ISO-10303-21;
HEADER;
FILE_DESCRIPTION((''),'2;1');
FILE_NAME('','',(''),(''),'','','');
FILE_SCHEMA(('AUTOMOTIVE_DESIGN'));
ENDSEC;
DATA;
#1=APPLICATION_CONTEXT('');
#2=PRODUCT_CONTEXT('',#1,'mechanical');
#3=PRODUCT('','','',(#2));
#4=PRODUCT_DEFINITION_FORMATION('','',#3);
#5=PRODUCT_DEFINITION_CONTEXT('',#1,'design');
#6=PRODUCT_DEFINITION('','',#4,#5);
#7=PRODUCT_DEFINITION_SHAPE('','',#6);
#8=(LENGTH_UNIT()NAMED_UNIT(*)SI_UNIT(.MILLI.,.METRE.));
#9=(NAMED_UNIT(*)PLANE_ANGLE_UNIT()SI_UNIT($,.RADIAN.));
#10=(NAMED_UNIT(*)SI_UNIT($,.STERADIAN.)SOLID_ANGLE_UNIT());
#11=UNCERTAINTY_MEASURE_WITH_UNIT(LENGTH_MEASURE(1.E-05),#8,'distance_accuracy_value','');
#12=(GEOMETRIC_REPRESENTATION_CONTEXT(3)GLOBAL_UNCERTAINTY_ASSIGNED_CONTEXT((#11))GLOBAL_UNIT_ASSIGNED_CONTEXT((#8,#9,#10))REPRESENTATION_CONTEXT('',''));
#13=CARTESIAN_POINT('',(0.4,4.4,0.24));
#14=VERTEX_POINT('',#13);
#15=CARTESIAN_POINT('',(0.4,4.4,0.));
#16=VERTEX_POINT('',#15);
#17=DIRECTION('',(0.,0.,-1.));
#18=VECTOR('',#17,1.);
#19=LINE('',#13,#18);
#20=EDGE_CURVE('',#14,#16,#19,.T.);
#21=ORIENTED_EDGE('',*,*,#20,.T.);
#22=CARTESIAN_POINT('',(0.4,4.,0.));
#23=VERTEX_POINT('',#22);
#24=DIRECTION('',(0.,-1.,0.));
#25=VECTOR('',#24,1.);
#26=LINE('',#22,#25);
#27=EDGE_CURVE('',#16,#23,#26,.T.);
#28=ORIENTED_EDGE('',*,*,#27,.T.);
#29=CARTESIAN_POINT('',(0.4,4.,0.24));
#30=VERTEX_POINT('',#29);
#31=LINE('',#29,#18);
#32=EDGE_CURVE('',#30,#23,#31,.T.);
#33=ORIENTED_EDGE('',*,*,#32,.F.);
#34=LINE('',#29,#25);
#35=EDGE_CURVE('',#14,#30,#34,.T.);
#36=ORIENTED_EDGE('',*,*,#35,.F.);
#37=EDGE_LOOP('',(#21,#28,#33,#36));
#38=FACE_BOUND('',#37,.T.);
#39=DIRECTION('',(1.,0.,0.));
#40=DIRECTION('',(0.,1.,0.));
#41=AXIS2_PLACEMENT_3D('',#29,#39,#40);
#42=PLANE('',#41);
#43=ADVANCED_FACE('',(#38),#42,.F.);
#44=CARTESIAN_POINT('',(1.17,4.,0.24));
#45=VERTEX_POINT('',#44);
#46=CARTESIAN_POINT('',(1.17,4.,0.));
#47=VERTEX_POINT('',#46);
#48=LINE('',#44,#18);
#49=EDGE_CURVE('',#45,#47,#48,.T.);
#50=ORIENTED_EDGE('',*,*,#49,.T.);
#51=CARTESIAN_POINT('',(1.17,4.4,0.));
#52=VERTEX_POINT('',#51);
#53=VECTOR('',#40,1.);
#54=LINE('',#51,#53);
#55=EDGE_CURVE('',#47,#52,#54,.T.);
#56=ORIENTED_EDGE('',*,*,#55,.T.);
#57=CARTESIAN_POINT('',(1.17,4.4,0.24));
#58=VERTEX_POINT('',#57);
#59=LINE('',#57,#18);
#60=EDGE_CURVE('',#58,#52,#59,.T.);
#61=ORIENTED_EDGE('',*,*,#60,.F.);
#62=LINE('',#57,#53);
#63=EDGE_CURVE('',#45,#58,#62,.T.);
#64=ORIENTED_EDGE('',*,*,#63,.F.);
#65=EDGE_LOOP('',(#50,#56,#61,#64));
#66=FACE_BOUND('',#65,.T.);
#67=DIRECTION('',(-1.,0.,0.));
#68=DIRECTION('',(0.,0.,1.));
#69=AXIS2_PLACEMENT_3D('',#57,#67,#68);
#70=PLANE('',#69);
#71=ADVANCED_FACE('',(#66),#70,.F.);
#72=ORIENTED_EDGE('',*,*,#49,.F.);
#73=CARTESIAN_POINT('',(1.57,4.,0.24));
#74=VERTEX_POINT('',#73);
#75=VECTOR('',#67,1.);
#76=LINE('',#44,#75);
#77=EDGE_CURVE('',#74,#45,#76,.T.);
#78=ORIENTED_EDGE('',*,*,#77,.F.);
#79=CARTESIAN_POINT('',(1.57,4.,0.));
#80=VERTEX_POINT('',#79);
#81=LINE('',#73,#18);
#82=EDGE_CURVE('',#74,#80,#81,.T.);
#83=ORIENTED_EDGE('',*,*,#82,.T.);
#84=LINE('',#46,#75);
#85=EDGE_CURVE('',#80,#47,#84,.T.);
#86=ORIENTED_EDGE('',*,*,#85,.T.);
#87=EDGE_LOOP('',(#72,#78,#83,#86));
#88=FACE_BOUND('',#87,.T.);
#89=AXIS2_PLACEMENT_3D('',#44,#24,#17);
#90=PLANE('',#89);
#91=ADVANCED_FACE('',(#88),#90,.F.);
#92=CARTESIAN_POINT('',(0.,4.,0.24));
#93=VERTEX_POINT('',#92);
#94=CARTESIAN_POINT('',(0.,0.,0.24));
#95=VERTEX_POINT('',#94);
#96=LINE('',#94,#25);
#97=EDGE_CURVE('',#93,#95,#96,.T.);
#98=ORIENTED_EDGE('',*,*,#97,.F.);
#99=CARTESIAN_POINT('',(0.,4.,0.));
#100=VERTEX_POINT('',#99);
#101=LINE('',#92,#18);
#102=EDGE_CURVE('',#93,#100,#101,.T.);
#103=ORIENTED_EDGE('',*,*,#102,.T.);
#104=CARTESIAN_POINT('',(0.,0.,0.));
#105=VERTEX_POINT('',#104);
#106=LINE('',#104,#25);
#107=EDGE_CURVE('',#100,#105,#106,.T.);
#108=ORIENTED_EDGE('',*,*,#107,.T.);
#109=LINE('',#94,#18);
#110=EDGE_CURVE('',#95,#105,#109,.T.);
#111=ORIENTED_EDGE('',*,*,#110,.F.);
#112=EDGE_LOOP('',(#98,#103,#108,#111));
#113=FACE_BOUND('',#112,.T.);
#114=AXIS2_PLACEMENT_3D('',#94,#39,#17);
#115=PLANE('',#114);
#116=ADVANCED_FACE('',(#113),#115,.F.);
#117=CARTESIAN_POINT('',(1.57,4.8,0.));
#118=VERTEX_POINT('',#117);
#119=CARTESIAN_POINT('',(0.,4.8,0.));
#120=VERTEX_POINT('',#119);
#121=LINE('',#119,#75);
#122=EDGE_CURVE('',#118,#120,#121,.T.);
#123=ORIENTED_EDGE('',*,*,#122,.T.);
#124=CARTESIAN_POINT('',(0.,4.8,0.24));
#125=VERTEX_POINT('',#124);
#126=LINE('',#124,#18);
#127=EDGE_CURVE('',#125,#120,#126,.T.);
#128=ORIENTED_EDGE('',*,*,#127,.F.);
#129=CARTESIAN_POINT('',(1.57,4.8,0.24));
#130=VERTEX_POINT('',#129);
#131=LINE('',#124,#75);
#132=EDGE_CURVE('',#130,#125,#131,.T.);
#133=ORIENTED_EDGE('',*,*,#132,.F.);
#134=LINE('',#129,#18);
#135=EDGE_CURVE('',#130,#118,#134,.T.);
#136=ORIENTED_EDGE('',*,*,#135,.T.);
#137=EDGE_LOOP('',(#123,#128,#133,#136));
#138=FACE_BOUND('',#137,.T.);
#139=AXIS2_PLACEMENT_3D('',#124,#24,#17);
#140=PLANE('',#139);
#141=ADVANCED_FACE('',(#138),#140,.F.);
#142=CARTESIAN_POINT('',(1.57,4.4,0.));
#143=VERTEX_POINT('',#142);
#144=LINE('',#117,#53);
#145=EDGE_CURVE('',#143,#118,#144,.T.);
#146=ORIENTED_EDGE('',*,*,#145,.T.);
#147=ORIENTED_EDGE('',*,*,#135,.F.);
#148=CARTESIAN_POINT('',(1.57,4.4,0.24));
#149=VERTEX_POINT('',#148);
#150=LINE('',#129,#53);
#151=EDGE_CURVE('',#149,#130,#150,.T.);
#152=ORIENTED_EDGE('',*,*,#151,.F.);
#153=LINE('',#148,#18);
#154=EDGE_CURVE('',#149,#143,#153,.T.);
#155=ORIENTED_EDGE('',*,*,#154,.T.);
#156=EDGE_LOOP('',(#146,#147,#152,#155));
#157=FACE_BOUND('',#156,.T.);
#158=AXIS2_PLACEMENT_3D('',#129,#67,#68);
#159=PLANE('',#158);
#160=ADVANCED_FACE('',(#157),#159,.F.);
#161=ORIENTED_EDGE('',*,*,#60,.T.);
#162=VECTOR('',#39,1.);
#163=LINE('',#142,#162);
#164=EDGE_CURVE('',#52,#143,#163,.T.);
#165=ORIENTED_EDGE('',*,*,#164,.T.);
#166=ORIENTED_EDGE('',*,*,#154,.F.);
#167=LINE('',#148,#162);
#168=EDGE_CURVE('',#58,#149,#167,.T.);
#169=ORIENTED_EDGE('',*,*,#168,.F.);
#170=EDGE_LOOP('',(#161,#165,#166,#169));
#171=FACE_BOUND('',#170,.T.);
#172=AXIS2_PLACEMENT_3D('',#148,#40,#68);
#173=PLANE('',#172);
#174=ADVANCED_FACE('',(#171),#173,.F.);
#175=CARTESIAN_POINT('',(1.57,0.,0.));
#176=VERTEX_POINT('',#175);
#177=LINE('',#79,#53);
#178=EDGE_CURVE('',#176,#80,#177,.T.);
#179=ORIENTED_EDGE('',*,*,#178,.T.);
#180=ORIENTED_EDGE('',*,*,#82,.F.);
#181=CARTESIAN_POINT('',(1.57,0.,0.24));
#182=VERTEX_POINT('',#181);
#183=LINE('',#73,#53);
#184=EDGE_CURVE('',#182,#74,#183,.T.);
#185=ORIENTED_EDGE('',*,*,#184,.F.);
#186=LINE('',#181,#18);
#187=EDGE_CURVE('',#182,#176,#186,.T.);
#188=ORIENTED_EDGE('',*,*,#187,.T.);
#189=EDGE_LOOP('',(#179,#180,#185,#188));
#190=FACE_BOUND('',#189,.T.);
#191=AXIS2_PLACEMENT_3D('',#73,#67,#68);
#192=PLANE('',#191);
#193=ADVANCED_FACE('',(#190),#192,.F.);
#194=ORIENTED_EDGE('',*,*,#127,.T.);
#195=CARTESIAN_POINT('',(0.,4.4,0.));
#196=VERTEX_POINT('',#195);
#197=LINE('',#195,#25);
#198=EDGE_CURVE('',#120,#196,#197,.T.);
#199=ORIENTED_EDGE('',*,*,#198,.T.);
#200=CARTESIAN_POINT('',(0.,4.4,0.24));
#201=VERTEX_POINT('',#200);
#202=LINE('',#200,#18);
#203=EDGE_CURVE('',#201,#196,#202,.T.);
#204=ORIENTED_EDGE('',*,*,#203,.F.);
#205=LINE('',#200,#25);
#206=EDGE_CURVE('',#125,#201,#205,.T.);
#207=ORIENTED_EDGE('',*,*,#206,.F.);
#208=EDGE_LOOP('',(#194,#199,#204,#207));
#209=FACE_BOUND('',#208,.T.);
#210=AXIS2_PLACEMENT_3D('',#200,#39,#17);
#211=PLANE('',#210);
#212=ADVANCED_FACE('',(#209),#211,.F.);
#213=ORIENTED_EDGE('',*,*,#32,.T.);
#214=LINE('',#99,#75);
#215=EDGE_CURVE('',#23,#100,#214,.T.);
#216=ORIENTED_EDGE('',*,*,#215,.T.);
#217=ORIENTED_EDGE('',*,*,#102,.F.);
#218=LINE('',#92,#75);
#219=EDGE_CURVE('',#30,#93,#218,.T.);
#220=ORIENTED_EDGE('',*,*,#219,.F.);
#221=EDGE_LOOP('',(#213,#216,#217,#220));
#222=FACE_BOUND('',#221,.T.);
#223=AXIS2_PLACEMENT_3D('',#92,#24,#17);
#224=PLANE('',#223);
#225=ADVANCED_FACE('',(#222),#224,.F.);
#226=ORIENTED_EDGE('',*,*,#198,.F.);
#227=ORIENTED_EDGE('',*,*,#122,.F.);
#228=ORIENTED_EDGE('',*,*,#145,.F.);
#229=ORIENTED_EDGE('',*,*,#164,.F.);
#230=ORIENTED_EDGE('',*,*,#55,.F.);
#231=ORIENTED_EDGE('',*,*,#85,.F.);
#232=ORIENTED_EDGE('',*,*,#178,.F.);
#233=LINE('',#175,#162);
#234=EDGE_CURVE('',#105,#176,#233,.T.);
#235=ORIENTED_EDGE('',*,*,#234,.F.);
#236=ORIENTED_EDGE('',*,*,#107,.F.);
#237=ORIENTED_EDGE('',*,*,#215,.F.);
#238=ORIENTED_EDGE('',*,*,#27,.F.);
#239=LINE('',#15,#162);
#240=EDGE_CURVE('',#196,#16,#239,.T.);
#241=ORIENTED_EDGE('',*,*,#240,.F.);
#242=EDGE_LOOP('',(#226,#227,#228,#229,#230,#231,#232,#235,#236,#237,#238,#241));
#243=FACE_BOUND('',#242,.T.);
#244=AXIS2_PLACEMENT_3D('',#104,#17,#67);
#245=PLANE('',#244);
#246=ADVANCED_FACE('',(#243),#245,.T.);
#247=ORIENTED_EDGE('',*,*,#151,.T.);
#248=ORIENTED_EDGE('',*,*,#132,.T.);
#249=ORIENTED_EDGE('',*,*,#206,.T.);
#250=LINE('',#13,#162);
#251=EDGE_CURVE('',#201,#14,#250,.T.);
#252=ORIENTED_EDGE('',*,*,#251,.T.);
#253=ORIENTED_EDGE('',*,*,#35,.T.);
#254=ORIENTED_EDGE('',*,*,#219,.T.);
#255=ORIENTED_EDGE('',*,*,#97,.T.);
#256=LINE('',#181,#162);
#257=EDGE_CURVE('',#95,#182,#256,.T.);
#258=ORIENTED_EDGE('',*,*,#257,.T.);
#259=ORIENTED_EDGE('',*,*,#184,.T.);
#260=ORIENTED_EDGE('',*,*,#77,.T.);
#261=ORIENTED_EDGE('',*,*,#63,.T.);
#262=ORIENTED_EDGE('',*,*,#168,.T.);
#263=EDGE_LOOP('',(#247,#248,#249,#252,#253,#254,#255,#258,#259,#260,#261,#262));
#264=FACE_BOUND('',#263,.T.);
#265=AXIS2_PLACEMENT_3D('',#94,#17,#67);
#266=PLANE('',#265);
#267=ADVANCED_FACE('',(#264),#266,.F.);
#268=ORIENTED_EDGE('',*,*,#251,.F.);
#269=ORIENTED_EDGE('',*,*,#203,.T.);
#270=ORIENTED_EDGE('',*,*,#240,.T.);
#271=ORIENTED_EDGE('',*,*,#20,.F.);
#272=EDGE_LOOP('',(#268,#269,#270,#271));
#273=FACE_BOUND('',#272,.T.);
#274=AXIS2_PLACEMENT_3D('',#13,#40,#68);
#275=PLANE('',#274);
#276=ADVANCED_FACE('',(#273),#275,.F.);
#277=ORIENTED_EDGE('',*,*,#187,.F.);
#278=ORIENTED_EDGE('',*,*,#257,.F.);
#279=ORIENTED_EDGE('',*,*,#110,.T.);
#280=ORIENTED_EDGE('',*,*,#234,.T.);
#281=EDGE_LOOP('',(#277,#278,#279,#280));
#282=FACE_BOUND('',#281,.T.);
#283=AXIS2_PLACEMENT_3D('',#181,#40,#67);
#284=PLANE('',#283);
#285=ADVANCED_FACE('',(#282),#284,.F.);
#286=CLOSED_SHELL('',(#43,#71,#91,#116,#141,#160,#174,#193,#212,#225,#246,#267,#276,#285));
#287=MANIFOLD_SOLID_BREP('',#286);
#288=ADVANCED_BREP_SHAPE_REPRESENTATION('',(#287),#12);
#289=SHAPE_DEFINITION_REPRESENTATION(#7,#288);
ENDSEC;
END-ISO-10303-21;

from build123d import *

# Parameters (mm, degrees)
BOSS_EXTRUDE1_DEPTH = 0.24


with BuildPart() as part:
    # Sketch1 → Boss-Extrude1 (new body)
    with BuildSketch(Plane.XY):
        Polygon((0, 0), (0, 4), (0.4, 4), (0.4, 4.4), (0, 4.4), (0, 4.8), (1.57, 4.8), (1.57, 4.4), (1.17, 4.4), (1.17, 4), (1.57, 4), (1.57, 0), align=None)
    extrude(amount=BOSS_EXTRUDE1_DEPTH)


solid = part.part
